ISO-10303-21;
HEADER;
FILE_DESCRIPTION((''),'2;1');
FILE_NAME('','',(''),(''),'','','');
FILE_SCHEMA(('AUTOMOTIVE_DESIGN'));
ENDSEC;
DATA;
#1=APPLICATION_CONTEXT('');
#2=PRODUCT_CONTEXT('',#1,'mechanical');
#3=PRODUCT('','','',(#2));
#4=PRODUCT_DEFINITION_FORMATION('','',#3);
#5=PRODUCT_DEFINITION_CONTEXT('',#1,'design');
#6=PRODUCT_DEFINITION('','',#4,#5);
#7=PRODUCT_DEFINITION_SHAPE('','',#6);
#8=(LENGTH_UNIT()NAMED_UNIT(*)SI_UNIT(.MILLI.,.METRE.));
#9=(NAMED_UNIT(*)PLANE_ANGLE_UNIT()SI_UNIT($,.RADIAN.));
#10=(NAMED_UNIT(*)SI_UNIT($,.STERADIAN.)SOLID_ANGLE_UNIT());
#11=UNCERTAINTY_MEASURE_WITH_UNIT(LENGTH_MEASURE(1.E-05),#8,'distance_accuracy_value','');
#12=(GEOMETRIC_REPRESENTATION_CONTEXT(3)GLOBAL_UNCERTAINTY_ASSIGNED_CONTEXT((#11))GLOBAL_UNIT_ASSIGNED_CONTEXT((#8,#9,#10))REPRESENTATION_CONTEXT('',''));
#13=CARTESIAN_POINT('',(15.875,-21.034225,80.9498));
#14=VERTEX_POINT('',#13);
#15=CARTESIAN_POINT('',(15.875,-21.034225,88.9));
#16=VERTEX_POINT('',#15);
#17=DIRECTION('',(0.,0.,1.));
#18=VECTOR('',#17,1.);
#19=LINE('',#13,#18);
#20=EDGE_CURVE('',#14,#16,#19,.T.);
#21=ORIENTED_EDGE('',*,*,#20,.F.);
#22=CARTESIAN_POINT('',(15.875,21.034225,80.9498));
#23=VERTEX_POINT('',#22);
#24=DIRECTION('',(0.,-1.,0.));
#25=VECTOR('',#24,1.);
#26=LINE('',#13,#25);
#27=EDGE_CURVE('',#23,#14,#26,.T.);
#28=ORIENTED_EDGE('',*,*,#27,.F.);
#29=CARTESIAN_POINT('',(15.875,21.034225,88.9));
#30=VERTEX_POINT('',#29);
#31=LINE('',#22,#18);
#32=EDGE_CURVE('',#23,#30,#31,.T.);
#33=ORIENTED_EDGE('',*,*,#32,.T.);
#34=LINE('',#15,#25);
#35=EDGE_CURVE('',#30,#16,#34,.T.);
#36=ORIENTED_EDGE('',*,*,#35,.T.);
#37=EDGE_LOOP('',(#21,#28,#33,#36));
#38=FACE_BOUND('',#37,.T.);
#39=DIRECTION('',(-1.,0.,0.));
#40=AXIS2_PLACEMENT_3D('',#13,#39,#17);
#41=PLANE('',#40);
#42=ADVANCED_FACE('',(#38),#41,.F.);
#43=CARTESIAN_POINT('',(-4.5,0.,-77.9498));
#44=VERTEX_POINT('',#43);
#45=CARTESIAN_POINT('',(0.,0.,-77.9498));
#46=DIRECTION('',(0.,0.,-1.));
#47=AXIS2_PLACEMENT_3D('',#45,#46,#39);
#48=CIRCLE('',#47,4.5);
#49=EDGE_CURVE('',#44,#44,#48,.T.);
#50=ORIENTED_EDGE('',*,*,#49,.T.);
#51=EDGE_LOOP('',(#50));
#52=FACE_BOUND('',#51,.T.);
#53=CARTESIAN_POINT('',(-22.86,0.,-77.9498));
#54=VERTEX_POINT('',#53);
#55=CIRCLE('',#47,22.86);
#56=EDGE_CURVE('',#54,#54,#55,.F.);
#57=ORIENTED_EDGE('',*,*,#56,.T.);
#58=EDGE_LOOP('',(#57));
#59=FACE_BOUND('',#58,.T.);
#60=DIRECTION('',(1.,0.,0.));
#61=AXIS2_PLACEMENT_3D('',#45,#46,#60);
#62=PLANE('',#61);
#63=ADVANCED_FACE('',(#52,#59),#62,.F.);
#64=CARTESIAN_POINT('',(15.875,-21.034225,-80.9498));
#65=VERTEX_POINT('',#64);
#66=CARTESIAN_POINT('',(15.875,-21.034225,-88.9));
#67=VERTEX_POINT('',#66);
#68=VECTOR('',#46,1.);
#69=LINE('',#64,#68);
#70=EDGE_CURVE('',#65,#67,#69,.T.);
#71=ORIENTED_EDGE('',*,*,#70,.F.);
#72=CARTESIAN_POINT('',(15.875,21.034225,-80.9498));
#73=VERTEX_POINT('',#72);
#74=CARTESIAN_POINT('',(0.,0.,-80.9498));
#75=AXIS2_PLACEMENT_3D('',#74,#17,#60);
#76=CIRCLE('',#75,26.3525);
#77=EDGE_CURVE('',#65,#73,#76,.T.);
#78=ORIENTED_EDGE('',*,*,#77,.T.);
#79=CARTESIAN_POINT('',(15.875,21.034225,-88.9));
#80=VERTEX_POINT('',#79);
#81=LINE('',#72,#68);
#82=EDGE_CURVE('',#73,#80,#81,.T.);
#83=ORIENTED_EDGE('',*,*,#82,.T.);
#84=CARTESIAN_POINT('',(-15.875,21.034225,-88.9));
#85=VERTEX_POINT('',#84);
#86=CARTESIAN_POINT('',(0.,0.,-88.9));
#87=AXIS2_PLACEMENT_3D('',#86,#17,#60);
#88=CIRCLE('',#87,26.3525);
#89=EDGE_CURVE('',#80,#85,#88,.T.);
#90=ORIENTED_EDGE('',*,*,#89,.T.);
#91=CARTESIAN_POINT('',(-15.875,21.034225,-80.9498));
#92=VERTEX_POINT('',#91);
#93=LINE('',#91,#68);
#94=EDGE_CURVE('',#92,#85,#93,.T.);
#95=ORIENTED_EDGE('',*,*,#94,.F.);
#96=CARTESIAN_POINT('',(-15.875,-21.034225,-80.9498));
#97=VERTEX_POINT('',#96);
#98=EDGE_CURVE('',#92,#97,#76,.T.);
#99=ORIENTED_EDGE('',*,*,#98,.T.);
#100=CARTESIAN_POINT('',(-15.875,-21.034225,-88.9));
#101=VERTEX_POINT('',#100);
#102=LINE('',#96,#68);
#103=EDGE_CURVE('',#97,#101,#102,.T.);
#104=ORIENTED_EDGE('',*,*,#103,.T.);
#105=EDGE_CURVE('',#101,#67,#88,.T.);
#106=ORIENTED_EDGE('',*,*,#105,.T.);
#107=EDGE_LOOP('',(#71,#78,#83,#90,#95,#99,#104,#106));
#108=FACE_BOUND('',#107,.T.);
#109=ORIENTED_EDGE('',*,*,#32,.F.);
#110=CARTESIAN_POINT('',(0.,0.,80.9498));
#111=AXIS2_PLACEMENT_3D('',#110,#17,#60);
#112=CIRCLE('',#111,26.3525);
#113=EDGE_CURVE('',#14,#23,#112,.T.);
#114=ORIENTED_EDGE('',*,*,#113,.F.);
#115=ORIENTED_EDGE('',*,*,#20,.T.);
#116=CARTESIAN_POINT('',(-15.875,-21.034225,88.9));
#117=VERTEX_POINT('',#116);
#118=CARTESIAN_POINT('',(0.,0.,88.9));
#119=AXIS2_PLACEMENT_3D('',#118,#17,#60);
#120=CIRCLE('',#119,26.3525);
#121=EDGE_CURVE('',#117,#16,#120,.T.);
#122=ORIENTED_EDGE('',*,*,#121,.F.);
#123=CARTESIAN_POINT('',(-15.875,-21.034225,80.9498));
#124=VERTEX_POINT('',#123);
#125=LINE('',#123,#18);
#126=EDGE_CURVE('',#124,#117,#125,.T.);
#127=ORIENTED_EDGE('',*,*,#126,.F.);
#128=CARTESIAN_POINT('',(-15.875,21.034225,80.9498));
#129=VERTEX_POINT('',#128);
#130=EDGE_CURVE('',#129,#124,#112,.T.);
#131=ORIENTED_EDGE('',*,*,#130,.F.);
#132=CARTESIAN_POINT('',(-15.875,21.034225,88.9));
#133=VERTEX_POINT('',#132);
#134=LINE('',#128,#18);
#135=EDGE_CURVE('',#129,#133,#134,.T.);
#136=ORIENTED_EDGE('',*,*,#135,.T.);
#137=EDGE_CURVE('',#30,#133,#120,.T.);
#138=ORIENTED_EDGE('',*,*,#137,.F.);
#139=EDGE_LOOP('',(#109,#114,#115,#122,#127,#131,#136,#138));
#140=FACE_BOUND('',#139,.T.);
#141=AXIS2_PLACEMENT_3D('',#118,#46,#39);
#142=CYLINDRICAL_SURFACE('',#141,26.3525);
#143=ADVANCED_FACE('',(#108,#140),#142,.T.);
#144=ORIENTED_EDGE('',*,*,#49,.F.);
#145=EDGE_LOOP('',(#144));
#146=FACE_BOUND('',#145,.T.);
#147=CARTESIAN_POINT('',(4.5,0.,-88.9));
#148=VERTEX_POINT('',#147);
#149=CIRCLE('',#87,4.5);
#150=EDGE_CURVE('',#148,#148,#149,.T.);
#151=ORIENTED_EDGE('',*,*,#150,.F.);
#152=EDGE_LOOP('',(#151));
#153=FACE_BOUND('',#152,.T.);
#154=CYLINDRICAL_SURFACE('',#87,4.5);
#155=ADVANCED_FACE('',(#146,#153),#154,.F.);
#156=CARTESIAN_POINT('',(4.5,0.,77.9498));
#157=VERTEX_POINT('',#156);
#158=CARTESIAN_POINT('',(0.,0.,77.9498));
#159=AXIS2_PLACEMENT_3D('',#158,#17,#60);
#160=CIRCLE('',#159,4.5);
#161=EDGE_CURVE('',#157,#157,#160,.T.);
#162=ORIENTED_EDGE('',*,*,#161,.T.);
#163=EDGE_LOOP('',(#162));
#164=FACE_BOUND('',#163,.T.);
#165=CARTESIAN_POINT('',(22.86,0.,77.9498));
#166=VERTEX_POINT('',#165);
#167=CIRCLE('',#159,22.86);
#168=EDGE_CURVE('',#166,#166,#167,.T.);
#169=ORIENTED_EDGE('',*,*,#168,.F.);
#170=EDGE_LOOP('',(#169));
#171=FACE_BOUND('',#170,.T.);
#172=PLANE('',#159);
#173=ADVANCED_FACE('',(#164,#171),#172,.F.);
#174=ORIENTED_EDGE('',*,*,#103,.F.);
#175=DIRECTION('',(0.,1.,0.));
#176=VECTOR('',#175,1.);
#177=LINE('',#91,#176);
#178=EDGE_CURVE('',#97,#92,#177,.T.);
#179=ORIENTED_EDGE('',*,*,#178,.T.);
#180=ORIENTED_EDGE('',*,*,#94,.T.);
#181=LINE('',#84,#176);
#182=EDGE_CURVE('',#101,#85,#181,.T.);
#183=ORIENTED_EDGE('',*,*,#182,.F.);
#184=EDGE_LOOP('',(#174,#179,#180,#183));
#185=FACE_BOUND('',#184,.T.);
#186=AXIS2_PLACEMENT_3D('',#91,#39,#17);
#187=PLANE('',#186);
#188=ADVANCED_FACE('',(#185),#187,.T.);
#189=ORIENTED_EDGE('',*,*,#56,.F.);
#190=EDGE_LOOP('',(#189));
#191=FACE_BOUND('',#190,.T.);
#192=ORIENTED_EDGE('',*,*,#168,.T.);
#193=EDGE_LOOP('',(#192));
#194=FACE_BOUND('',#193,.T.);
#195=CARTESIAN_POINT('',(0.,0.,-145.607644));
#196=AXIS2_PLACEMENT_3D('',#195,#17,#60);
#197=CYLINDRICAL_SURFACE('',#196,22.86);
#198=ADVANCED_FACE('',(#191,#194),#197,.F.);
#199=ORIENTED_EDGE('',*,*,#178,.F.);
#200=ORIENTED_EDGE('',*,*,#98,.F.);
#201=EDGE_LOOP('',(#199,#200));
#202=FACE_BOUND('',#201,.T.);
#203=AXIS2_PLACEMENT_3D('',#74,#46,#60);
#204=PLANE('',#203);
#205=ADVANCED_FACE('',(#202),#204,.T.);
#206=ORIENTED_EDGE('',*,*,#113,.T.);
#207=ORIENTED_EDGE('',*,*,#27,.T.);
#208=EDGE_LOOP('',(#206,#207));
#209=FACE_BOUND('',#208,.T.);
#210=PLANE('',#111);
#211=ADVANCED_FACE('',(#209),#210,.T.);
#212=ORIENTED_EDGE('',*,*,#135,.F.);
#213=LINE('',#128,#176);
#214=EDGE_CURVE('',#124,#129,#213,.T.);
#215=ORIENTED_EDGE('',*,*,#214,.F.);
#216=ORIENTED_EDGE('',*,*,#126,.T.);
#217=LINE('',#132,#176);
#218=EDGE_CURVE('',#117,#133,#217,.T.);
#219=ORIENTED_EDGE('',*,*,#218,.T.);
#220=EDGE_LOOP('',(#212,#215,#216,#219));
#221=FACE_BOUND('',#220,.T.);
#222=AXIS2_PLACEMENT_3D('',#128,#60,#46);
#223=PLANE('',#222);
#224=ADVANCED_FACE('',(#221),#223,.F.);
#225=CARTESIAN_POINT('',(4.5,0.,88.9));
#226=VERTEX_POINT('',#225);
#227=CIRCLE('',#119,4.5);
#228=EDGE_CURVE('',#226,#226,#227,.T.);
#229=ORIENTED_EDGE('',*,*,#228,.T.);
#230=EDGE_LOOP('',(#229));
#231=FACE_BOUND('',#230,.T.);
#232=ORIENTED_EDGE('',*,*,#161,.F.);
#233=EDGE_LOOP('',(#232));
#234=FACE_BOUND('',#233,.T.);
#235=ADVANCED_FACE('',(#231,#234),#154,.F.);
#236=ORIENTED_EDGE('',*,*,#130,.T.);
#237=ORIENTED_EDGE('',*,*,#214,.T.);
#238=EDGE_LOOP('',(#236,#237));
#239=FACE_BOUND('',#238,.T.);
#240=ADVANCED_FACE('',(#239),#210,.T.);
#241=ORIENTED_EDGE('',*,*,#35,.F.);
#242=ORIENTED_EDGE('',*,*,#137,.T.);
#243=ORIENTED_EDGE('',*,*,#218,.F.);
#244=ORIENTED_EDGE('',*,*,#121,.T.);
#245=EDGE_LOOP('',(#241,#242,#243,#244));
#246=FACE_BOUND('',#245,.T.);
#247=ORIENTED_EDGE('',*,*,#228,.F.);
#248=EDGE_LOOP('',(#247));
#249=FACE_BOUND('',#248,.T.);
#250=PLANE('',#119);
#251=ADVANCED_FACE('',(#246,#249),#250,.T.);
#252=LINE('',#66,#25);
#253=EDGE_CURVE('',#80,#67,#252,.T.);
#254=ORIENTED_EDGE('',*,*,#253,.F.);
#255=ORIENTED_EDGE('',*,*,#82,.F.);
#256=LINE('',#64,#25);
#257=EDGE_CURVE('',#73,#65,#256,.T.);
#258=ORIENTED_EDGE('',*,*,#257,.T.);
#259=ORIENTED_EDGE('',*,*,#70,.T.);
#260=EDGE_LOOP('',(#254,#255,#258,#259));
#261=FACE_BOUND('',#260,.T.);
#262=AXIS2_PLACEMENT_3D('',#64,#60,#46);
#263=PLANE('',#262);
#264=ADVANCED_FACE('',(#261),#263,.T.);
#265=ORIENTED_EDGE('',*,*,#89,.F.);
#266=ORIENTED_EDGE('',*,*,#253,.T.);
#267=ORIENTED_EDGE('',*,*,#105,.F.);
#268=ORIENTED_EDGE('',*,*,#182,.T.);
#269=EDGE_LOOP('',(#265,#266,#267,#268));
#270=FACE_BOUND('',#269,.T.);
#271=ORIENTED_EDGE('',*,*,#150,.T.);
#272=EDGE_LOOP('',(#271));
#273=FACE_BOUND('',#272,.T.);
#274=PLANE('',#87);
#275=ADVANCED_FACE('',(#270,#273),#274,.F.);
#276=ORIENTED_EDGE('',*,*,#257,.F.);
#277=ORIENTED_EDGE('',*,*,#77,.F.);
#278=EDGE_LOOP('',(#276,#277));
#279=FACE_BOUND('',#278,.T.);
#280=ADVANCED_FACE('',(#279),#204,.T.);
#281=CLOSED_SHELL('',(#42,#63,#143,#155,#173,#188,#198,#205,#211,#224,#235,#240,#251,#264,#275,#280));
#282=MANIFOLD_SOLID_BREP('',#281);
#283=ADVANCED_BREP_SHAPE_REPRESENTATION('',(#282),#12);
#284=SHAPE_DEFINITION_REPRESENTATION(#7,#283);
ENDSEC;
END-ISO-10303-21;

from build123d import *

# Parameters (mm, degrees)
SKETCH1_R           = 26.3525
BOSS_EXTRUDE1_DEPTH = 88.9
CUT_EXTRUDE1_DEPTH  = 7.9502
CUT_EXTRUDE2_START  = -3
SKETCH3_R           = 22.86
CUT_EXTRUDE2_DEPTH  = 155.8996
SKETCH5_R           = 4.5
CUT_EXTRUDE3_DEPTH  = 182.663833804


with BuildPart() as part:
    # Sketch1 → Boss-Extrude1 (new, symmetric)
    with BuildSketch(Plane.XY):
        Circle(SKETCH1_R)
    extrude(amount=BOSS_EXTRUDE1_DEPTH, both=True)

    # Sketch2 → Cut-Extrude1 (cut)
    with BuildSketch(Plane.XY.offset(88.9)):
        with BuildLine():
            Line((-15.875, 21.034225235), (-15.875, -21.034225235))
            ThreePointArc((-15.875, -21.034225235), (-26.3525, 0), (-15.875, 21.034225235))
        make_face()
        with BuildLine():
            Line((15.875, -21.034225235), (15.875, 21.034225235))
            ThreePointArc((15.875, 21.034225235), (26.3525, 0), (15.875, -21.034225235))
        make_face()
    cut_extrude1 = extrude(amount=-CUT_EXTRUDE1_DEPTH, mode=Mode.SUBTRACT)

    # Mirror1: Cut-Extrude1 across plane
    add(cut_extrude1.mirror(Plane.XY), mode=Mode.SUBTRACT)

    # Sketch3 → Cut-Extrude2 (cut)
    with BuildSketch(Plane.XY.offset(80.9498).offset(CUT_EXTRUDE2_START)):
        Circle(SKETCH3_R)
    extrude(amount=-CUT_EXTRUDE2_DEPTH, mode=Mode.SUBTRACT)

    # Sketch5 → Cut-Extrude3 (cut, through all)
    with BuildSketch(Plane.XY.offset(88.9)):
        Circle(SKETCH5_R)
    extrude(amount=-CUT_EXTRUDE3_DEPTH, mode=Mode.SUBTRACT)


solid = part.part
